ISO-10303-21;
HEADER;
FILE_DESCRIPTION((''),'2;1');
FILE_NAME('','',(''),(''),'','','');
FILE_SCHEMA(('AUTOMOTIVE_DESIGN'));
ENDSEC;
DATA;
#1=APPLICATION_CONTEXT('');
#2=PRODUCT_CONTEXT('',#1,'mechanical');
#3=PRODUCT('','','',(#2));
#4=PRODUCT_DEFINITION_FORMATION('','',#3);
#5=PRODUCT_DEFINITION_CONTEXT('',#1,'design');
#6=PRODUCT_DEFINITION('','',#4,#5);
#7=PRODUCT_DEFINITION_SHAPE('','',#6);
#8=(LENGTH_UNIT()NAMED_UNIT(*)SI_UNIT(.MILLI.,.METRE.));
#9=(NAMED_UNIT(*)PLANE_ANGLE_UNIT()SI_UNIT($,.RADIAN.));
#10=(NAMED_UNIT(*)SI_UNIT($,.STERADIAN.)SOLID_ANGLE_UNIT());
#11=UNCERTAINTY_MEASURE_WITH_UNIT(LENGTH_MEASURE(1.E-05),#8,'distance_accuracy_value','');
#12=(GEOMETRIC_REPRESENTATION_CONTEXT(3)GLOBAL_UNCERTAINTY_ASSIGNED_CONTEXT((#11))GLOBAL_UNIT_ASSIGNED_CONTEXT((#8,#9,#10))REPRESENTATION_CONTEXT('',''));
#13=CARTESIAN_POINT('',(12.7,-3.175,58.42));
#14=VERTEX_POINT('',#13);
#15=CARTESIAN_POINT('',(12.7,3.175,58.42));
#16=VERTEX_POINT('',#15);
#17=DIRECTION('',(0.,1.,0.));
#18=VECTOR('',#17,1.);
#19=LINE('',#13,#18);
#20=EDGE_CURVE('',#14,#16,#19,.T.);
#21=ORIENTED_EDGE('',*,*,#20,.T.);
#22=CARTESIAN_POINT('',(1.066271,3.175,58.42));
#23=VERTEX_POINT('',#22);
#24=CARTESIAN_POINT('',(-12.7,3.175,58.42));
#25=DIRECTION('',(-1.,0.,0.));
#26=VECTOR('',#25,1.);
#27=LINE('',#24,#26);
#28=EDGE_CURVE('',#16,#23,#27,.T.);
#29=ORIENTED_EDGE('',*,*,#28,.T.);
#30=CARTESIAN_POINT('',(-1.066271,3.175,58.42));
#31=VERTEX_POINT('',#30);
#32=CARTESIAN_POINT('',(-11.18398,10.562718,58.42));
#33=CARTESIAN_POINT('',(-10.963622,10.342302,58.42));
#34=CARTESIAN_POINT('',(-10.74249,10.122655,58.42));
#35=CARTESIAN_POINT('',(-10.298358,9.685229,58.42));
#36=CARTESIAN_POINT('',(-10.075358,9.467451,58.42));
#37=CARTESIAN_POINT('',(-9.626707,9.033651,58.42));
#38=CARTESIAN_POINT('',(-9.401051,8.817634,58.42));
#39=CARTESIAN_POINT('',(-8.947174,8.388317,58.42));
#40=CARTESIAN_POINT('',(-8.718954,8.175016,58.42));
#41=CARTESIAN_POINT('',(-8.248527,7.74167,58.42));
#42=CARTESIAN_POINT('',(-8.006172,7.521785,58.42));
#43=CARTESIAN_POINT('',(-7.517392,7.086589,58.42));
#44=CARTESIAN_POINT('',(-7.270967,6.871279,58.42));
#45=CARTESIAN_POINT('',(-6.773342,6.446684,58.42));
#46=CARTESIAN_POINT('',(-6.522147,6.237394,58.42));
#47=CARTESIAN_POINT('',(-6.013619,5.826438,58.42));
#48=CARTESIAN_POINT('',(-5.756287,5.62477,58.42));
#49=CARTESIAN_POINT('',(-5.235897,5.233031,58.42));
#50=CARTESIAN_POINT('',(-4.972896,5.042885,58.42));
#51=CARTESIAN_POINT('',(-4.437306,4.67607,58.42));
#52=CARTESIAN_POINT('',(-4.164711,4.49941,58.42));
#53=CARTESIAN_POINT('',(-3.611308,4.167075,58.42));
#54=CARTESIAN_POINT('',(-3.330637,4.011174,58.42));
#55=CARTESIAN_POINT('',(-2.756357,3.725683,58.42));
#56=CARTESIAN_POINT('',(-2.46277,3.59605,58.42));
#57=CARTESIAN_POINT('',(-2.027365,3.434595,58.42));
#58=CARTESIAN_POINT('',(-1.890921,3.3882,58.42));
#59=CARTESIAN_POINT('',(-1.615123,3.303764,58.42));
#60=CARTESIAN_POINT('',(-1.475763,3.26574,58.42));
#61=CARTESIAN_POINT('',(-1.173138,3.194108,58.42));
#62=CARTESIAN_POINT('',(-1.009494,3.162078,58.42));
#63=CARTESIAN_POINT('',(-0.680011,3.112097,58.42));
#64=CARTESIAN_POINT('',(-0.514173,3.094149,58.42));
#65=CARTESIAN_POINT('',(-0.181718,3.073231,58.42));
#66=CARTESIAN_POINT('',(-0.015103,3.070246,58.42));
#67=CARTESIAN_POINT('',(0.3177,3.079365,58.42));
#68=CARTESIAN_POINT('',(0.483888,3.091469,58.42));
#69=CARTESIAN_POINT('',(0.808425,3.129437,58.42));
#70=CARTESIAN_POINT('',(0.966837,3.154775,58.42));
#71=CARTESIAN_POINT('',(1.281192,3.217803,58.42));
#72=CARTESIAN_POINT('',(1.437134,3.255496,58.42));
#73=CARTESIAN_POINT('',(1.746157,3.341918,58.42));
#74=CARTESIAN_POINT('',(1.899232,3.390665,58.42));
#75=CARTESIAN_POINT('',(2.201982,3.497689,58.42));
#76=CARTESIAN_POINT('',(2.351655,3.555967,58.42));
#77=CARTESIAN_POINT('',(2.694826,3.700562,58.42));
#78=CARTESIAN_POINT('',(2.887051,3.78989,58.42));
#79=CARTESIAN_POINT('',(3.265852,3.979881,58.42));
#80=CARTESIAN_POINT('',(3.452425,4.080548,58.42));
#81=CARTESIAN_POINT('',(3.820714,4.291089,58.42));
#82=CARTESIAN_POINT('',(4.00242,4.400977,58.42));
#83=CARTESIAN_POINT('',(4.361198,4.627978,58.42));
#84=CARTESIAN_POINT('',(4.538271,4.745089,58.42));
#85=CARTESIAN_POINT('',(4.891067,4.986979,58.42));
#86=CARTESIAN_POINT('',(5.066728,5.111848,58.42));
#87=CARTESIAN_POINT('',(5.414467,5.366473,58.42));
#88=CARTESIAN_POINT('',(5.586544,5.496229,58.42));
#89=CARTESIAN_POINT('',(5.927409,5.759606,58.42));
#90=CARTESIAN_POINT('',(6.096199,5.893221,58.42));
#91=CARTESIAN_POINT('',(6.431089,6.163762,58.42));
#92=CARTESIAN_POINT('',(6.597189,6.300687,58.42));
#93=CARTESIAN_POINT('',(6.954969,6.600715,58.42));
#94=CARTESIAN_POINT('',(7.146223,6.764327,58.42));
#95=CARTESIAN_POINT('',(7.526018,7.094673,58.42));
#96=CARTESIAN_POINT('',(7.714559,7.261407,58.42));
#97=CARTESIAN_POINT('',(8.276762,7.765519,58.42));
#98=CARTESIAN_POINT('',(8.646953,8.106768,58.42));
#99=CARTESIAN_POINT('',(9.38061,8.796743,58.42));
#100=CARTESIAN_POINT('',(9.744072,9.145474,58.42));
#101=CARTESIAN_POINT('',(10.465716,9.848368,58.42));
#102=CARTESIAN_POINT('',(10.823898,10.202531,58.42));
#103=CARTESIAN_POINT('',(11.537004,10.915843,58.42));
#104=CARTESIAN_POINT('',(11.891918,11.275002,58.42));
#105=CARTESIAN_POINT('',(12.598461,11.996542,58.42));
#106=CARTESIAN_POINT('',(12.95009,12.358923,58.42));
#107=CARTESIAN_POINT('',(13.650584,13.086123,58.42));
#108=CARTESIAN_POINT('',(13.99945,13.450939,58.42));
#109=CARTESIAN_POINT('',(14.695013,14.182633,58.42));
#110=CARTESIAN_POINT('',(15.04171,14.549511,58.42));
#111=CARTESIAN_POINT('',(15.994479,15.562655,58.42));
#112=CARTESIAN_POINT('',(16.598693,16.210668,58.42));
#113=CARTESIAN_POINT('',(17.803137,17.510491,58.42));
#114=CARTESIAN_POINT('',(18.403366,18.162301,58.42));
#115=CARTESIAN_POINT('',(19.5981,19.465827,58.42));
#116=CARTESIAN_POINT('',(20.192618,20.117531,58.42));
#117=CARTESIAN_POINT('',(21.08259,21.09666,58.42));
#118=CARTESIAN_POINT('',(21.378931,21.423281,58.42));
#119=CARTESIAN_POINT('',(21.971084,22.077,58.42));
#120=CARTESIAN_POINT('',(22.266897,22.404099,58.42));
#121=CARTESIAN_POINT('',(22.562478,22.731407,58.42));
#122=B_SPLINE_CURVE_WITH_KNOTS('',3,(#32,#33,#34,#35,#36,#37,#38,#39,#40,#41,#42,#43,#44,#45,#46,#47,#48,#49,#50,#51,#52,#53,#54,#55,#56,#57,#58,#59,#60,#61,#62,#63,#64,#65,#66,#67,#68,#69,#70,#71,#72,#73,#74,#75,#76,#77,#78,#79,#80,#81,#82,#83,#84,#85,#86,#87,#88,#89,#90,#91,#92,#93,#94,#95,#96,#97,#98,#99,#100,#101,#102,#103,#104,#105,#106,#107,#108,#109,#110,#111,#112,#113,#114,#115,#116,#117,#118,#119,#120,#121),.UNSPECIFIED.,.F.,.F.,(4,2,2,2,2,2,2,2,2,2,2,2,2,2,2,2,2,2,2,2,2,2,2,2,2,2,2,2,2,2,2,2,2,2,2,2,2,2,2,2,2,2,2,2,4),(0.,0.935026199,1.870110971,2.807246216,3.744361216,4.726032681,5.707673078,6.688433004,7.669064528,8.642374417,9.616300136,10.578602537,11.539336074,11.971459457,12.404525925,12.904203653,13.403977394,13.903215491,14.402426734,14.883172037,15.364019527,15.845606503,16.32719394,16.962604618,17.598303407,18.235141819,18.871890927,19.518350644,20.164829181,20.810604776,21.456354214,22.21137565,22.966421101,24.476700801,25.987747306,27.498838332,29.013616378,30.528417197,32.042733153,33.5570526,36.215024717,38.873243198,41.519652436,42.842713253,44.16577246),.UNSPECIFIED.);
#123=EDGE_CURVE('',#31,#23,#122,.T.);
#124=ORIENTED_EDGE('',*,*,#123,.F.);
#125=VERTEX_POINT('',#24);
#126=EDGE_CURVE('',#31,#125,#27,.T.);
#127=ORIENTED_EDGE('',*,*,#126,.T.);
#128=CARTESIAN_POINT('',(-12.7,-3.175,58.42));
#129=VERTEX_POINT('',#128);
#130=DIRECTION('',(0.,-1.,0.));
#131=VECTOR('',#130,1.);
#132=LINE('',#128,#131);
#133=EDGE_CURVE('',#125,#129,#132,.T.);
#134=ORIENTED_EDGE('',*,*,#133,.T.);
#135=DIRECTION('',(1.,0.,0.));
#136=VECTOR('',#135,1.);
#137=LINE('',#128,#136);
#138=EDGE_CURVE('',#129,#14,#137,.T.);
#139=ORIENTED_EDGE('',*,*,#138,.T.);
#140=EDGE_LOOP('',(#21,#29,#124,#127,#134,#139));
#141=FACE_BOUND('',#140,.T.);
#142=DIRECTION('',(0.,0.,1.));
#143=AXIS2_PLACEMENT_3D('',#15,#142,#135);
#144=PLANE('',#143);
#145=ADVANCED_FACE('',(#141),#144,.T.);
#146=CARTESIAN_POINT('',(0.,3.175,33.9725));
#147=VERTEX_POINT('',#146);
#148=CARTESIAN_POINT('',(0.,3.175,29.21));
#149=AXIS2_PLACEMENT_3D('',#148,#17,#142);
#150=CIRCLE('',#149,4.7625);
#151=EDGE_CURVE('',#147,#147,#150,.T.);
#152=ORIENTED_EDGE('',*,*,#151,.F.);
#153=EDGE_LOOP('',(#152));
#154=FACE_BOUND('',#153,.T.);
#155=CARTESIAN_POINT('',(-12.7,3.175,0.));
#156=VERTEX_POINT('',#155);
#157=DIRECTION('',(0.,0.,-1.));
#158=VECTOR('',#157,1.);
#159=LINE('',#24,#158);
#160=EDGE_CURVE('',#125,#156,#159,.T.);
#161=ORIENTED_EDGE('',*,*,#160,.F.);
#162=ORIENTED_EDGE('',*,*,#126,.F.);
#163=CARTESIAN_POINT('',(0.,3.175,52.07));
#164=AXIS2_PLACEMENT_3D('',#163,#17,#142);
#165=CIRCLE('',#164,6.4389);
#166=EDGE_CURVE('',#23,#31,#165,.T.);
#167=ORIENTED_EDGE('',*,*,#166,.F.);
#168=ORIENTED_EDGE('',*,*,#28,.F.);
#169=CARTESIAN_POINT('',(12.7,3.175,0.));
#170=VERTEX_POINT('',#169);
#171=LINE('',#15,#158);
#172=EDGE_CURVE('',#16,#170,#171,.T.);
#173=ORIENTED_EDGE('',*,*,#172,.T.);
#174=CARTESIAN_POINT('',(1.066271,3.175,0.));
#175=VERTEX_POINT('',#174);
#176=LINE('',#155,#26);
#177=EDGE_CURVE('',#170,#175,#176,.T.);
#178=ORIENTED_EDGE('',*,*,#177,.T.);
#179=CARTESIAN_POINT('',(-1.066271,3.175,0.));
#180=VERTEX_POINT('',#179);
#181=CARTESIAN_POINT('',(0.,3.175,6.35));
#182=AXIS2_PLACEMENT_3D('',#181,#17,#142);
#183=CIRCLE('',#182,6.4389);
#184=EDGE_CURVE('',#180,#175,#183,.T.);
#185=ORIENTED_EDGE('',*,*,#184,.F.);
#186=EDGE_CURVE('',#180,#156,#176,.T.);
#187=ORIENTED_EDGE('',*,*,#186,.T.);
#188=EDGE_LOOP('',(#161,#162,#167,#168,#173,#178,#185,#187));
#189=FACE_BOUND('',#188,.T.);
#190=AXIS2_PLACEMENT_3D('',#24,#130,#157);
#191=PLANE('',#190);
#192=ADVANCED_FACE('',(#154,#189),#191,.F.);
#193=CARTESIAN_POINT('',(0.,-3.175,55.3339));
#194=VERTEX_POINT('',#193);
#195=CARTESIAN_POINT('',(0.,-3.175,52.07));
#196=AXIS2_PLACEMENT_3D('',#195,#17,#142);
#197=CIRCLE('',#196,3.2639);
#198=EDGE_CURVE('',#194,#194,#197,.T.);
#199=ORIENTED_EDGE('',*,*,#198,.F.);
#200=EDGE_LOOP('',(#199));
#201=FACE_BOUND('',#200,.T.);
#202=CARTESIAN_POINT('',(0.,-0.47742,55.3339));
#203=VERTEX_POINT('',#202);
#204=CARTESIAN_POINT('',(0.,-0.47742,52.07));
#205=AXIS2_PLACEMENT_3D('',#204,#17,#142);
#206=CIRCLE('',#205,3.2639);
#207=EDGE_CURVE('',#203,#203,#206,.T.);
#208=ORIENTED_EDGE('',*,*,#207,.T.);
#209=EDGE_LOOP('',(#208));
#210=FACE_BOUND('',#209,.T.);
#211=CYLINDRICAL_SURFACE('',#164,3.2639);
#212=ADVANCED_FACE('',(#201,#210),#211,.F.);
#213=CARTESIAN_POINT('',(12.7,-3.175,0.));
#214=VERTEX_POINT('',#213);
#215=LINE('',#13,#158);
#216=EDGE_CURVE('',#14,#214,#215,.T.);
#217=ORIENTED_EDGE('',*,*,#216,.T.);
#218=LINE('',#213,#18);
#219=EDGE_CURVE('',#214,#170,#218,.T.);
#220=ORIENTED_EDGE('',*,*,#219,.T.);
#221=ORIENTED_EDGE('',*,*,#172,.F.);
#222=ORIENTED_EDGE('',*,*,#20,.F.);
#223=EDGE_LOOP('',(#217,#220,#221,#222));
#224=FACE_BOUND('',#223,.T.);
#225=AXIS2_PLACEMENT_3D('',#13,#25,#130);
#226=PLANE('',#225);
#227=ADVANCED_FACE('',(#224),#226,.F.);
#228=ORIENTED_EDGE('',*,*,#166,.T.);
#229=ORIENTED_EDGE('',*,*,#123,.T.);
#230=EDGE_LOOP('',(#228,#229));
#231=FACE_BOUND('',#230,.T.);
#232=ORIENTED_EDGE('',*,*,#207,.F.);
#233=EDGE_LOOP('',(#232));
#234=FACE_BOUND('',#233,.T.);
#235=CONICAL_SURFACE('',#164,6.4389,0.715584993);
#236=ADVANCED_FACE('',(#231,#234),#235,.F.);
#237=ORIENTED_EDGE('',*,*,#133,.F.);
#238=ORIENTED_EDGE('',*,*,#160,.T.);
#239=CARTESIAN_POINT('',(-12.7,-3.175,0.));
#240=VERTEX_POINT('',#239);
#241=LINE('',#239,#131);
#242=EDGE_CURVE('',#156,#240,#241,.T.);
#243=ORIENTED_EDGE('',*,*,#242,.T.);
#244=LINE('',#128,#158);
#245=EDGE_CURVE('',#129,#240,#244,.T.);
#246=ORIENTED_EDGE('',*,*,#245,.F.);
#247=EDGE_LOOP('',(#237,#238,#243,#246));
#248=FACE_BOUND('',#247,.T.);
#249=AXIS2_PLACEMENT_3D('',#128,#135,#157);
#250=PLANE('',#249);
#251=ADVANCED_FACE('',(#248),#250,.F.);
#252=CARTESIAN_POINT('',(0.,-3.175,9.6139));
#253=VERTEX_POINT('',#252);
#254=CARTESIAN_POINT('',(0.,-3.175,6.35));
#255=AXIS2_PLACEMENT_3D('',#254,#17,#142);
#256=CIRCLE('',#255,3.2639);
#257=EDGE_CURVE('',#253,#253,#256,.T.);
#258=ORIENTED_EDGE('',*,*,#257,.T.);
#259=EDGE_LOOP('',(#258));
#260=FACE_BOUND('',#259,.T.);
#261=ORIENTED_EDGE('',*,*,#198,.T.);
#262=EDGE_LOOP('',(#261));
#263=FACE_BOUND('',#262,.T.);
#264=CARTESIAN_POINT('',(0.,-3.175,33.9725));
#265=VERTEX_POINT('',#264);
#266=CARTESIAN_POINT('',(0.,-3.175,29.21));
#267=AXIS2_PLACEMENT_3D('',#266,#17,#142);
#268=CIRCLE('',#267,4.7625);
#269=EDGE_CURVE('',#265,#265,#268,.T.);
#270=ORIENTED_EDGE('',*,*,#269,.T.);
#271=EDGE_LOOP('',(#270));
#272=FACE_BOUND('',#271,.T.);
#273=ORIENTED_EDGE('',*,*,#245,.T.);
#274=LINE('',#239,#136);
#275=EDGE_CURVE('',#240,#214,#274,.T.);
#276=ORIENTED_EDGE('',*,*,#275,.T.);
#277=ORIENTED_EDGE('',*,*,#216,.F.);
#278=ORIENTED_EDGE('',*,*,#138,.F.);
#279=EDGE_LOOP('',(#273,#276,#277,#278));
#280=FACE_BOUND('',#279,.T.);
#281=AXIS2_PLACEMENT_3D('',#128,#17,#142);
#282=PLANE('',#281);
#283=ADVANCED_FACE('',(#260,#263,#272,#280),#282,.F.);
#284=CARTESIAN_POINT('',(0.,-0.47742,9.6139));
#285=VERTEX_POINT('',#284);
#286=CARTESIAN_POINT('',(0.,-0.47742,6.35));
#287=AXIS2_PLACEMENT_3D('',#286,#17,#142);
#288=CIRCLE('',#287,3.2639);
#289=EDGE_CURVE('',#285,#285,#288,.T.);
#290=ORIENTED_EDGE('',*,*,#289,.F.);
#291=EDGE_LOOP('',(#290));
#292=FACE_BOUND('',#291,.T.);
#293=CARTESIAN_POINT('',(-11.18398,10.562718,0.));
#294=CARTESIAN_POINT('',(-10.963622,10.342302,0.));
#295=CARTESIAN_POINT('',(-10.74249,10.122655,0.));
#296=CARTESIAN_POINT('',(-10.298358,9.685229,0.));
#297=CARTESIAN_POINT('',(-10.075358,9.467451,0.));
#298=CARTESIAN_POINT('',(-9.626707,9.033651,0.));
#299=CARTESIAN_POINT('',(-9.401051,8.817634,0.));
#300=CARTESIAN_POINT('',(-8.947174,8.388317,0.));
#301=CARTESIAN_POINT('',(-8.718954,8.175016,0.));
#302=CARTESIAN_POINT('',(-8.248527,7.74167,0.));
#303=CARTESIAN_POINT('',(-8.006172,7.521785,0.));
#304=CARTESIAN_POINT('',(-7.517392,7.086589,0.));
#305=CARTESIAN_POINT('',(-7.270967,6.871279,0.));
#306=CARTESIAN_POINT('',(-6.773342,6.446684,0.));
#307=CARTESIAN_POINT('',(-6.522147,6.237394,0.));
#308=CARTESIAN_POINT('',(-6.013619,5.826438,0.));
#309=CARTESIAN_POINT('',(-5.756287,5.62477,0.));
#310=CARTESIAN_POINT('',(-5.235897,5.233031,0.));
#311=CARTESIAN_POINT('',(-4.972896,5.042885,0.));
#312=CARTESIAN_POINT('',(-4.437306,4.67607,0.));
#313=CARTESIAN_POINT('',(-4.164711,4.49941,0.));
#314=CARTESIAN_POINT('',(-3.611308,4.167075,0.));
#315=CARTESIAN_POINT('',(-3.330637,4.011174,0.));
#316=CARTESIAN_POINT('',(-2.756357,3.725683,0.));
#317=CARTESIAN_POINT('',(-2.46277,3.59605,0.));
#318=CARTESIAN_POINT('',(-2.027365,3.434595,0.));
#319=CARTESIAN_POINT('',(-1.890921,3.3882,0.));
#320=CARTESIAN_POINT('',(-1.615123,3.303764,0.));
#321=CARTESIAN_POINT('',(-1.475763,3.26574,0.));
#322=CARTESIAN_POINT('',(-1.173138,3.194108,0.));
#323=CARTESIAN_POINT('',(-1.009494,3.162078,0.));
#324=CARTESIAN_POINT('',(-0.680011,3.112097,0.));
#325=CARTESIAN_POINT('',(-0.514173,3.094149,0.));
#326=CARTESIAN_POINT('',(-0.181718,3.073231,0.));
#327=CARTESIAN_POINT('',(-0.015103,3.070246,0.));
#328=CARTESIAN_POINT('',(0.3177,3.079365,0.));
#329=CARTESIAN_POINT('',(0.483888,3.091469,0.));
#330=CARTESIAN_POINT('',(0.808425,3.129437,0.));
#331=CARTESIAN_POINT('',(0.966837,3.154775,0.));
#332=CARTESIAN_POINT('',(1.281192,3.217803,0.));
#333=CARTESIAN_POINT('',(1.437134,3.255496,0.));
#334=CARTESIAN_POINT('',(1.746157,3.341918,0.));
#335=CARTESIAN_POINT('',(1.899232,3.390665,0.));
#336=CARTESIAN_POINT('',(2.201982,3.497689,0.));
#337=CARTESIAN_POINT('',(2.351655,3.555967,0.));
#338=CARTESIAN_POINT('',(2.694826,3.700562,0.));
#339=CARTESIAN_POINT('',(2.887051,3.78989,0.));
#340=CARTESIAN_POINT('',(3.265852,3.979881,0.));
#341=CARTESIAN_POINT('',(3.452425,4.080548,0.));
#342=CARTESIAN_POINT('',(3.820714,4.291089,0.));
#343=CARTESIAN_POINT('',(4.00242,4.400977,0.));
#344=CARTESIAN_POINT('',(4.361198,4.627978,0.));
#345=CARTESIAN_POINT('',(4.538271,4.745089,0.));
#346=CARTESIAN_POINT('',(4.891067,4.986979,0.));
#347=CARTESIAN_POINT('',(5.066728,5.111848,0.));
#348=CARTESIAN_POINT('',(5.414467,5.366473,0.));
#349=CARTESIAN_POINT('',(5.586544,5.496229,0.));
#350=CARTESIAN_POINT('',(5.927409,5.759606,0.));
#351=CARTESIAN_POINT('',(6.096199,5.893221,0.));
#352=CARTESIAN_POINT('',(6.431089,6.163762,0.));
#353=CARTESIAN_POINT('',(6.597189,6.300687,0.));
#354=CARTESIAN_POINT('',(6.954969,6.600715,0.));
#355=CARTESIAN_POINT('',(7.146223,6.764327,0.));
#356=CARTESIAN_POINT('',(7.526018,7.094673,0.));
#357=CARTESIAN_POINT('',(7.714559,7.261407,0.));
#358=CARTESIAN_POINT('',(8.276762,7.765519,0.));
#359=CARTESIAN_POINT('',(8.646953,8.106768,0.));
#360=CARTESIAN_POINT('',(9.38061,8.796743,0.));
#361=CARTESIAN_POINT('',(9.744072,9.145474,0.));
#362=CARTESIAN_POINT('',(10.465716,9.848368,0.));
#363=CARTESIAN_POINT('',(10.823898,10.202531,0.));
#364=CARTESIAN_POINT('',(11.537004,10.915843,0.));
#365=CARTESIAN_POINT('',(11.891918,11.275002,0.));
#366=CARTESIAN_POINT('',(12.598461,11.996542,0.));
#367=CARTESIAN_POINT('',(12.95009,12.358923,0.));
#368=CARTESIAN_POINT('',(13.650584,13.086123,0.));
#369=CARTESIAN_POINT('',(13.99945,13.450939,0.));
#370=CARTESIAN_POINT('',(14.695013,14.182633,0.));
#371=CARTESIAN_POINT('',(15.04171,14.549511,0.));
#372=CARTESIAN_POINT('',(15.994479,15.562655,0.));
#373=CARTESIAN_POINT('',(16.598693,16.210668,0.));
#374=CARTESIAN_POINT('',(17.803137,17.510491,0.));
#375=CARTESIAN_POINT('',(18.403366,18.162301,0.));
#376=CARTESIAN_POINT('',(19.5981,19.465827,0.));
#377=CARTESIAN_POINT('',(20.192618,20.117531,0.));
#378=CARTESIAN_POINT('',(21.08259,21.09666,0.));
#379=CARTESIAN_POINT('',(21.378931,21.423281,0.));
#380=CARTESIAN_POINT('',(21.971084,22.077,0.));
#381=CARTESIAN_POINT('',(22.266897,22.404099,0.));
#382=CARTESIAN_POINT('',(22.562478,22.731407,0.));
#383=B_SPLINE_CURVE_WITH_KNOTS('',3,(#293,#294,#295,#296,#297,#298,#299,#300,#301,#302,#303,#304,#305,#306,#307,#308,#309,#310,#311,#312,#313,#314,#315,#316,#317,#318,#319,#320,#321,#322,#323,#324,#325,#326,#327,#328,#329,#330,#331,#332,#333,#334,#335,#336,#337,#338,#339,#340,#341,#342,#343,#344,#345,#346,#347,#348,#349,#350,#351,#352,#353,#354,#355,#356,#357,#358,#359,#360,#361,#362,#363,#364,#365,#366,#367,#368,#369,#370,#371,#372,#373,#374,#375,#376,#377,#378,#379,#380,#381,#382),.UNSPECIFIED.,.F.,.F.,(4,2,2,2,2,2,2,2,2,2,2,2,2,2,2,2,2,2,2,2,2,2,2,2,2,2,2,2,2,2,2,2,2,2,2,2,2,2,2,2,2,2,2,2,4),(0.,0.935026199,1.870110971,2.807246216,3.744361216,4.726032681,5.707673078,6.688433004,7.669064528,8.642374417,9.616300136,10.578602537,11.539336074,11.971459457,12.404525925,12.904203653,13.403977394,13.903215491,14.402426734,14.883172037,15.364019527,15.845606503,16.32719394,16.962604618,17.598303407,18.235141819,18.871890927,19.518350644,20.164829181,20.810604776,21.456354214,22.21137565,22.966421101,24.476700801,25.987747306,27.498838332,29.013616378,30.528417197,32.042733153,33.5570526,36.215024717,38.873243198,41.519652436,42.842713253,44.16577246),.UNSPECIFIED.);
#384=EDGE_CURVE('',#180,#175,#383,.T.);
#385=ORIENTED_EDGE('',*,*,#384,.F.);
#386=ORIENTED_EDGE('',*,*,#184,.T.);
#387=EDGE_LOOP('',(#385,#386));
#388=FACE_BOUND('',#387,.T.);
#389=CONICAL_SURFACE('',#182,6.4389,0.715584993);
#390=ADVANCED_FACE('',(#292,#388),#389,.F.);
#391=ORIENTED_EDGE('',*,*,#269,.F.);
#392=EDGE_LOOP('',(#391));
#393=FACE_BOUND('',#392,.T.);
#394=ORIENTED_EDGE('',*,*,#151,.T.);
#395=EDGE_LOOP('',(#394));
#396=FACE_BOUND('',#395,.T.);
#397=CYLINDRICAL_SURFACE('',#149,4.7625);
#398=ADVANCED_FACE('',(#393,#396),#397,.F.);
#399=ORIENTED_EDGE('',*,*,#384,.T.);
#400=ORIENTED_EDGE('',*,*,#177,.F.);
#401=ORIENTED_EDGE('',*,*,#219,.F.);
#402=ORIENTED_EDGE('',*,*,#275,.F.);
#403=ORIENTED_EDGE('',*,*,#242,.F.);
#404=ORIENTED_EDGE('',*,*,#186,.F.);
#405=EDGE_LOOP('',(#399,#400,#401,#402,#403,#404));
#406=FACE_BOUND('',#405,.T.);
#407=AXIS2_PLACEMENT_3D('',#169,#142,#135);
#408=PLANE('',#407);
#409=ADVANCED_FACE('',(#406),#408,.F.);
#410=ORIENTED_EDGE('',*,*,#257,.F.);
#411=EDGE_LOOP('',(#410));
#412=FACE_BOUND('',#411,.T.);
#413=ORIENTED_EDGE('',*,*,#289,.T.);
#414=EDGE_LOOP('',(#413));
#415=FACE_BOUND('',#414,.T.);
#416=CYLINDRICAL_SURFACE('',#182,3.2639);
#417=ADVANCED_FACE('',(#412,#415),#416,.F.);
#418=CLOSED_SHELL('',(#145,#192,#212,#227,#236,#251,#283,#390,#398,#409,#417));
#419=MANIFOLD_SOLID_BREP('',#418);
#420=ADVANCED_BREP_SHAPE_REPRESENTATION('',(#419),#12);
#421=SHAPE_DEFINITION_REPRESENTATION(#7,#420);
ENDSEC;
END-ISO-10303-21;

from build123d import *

# Parameters (mm, degrees)
SKETCH1_W                                     = 25.4
SKETCH1_H                                     = 6.35
EXTRUDE1_DEPTH                                = 58.42
CSK_FOR_1_4_FLAT_HEAD_MACHINE_SCREW1_AT_COUNT = 2
CSK_FOR_1_4_FLAT_HEAD_MACHINE_SCREW1_AT_PITCH = 45.72
F_3_8_0_375_DIAMETER_HOLE1_D                  = 9.525


with BuildPart() as part:
    # Sketch1 → Extrude1 (new body)
    with BuildSketch(Plane.XY):
        Rectangle(SKETCH1_W, SKETCH1_H)
    extrude(amount=EXTRUDE1_DEPTH)

    # Sketch3 → CSK for 1/4 Flat Head Machine Screw1 (revolve, cut)
    with BuildSketch(Plane(origin=(0, 3.175, 6.35), x_dir=(0, 0, 1), z_dir=(1, 0, 0))):
        Polygon((0, 0), (0, 6.35), (3.2639, 6.35), (3.2639, 3.652419693), (6.4389, 0), align=None)
    csk_for_1_4_flat_head_machine_screw1 = revolve(axis=Axis((0, 9.525, 6.35), (0, -1, 0)), mode=Mode.SUBTRACT)

    # CSK for 1/4 Flat Head Machine Screw1 at: CSK for 1/4 Flat Head Machine Screw1 ×2
    with Locations(*[(0, 0, i * CSK_FOR_1_4_FLAT_HEAD_MACHINE_SCREW1_AT_PITCH) for i in range(1, CSK_FOR_1_4_FLAT_HEAD_MACHINE_SCREW1_AT_COUNT)]):
        add(csk_for_1_4_flat_head_machine_screw1, mode=Mode.SUBTRACT)

    # 3/8 (0.375) Diameter Hole1 (through all)
    with Locations(Plane(origin=(0, 3.175, 29.21), x_dir=(0, 0, 1), z_dir=(0, 1, 0))):
        with Locations((0, 0)):
            Hole(F_3_8_0_375_DIAMETER_HOLE1_D / 2)


solid = part.part
